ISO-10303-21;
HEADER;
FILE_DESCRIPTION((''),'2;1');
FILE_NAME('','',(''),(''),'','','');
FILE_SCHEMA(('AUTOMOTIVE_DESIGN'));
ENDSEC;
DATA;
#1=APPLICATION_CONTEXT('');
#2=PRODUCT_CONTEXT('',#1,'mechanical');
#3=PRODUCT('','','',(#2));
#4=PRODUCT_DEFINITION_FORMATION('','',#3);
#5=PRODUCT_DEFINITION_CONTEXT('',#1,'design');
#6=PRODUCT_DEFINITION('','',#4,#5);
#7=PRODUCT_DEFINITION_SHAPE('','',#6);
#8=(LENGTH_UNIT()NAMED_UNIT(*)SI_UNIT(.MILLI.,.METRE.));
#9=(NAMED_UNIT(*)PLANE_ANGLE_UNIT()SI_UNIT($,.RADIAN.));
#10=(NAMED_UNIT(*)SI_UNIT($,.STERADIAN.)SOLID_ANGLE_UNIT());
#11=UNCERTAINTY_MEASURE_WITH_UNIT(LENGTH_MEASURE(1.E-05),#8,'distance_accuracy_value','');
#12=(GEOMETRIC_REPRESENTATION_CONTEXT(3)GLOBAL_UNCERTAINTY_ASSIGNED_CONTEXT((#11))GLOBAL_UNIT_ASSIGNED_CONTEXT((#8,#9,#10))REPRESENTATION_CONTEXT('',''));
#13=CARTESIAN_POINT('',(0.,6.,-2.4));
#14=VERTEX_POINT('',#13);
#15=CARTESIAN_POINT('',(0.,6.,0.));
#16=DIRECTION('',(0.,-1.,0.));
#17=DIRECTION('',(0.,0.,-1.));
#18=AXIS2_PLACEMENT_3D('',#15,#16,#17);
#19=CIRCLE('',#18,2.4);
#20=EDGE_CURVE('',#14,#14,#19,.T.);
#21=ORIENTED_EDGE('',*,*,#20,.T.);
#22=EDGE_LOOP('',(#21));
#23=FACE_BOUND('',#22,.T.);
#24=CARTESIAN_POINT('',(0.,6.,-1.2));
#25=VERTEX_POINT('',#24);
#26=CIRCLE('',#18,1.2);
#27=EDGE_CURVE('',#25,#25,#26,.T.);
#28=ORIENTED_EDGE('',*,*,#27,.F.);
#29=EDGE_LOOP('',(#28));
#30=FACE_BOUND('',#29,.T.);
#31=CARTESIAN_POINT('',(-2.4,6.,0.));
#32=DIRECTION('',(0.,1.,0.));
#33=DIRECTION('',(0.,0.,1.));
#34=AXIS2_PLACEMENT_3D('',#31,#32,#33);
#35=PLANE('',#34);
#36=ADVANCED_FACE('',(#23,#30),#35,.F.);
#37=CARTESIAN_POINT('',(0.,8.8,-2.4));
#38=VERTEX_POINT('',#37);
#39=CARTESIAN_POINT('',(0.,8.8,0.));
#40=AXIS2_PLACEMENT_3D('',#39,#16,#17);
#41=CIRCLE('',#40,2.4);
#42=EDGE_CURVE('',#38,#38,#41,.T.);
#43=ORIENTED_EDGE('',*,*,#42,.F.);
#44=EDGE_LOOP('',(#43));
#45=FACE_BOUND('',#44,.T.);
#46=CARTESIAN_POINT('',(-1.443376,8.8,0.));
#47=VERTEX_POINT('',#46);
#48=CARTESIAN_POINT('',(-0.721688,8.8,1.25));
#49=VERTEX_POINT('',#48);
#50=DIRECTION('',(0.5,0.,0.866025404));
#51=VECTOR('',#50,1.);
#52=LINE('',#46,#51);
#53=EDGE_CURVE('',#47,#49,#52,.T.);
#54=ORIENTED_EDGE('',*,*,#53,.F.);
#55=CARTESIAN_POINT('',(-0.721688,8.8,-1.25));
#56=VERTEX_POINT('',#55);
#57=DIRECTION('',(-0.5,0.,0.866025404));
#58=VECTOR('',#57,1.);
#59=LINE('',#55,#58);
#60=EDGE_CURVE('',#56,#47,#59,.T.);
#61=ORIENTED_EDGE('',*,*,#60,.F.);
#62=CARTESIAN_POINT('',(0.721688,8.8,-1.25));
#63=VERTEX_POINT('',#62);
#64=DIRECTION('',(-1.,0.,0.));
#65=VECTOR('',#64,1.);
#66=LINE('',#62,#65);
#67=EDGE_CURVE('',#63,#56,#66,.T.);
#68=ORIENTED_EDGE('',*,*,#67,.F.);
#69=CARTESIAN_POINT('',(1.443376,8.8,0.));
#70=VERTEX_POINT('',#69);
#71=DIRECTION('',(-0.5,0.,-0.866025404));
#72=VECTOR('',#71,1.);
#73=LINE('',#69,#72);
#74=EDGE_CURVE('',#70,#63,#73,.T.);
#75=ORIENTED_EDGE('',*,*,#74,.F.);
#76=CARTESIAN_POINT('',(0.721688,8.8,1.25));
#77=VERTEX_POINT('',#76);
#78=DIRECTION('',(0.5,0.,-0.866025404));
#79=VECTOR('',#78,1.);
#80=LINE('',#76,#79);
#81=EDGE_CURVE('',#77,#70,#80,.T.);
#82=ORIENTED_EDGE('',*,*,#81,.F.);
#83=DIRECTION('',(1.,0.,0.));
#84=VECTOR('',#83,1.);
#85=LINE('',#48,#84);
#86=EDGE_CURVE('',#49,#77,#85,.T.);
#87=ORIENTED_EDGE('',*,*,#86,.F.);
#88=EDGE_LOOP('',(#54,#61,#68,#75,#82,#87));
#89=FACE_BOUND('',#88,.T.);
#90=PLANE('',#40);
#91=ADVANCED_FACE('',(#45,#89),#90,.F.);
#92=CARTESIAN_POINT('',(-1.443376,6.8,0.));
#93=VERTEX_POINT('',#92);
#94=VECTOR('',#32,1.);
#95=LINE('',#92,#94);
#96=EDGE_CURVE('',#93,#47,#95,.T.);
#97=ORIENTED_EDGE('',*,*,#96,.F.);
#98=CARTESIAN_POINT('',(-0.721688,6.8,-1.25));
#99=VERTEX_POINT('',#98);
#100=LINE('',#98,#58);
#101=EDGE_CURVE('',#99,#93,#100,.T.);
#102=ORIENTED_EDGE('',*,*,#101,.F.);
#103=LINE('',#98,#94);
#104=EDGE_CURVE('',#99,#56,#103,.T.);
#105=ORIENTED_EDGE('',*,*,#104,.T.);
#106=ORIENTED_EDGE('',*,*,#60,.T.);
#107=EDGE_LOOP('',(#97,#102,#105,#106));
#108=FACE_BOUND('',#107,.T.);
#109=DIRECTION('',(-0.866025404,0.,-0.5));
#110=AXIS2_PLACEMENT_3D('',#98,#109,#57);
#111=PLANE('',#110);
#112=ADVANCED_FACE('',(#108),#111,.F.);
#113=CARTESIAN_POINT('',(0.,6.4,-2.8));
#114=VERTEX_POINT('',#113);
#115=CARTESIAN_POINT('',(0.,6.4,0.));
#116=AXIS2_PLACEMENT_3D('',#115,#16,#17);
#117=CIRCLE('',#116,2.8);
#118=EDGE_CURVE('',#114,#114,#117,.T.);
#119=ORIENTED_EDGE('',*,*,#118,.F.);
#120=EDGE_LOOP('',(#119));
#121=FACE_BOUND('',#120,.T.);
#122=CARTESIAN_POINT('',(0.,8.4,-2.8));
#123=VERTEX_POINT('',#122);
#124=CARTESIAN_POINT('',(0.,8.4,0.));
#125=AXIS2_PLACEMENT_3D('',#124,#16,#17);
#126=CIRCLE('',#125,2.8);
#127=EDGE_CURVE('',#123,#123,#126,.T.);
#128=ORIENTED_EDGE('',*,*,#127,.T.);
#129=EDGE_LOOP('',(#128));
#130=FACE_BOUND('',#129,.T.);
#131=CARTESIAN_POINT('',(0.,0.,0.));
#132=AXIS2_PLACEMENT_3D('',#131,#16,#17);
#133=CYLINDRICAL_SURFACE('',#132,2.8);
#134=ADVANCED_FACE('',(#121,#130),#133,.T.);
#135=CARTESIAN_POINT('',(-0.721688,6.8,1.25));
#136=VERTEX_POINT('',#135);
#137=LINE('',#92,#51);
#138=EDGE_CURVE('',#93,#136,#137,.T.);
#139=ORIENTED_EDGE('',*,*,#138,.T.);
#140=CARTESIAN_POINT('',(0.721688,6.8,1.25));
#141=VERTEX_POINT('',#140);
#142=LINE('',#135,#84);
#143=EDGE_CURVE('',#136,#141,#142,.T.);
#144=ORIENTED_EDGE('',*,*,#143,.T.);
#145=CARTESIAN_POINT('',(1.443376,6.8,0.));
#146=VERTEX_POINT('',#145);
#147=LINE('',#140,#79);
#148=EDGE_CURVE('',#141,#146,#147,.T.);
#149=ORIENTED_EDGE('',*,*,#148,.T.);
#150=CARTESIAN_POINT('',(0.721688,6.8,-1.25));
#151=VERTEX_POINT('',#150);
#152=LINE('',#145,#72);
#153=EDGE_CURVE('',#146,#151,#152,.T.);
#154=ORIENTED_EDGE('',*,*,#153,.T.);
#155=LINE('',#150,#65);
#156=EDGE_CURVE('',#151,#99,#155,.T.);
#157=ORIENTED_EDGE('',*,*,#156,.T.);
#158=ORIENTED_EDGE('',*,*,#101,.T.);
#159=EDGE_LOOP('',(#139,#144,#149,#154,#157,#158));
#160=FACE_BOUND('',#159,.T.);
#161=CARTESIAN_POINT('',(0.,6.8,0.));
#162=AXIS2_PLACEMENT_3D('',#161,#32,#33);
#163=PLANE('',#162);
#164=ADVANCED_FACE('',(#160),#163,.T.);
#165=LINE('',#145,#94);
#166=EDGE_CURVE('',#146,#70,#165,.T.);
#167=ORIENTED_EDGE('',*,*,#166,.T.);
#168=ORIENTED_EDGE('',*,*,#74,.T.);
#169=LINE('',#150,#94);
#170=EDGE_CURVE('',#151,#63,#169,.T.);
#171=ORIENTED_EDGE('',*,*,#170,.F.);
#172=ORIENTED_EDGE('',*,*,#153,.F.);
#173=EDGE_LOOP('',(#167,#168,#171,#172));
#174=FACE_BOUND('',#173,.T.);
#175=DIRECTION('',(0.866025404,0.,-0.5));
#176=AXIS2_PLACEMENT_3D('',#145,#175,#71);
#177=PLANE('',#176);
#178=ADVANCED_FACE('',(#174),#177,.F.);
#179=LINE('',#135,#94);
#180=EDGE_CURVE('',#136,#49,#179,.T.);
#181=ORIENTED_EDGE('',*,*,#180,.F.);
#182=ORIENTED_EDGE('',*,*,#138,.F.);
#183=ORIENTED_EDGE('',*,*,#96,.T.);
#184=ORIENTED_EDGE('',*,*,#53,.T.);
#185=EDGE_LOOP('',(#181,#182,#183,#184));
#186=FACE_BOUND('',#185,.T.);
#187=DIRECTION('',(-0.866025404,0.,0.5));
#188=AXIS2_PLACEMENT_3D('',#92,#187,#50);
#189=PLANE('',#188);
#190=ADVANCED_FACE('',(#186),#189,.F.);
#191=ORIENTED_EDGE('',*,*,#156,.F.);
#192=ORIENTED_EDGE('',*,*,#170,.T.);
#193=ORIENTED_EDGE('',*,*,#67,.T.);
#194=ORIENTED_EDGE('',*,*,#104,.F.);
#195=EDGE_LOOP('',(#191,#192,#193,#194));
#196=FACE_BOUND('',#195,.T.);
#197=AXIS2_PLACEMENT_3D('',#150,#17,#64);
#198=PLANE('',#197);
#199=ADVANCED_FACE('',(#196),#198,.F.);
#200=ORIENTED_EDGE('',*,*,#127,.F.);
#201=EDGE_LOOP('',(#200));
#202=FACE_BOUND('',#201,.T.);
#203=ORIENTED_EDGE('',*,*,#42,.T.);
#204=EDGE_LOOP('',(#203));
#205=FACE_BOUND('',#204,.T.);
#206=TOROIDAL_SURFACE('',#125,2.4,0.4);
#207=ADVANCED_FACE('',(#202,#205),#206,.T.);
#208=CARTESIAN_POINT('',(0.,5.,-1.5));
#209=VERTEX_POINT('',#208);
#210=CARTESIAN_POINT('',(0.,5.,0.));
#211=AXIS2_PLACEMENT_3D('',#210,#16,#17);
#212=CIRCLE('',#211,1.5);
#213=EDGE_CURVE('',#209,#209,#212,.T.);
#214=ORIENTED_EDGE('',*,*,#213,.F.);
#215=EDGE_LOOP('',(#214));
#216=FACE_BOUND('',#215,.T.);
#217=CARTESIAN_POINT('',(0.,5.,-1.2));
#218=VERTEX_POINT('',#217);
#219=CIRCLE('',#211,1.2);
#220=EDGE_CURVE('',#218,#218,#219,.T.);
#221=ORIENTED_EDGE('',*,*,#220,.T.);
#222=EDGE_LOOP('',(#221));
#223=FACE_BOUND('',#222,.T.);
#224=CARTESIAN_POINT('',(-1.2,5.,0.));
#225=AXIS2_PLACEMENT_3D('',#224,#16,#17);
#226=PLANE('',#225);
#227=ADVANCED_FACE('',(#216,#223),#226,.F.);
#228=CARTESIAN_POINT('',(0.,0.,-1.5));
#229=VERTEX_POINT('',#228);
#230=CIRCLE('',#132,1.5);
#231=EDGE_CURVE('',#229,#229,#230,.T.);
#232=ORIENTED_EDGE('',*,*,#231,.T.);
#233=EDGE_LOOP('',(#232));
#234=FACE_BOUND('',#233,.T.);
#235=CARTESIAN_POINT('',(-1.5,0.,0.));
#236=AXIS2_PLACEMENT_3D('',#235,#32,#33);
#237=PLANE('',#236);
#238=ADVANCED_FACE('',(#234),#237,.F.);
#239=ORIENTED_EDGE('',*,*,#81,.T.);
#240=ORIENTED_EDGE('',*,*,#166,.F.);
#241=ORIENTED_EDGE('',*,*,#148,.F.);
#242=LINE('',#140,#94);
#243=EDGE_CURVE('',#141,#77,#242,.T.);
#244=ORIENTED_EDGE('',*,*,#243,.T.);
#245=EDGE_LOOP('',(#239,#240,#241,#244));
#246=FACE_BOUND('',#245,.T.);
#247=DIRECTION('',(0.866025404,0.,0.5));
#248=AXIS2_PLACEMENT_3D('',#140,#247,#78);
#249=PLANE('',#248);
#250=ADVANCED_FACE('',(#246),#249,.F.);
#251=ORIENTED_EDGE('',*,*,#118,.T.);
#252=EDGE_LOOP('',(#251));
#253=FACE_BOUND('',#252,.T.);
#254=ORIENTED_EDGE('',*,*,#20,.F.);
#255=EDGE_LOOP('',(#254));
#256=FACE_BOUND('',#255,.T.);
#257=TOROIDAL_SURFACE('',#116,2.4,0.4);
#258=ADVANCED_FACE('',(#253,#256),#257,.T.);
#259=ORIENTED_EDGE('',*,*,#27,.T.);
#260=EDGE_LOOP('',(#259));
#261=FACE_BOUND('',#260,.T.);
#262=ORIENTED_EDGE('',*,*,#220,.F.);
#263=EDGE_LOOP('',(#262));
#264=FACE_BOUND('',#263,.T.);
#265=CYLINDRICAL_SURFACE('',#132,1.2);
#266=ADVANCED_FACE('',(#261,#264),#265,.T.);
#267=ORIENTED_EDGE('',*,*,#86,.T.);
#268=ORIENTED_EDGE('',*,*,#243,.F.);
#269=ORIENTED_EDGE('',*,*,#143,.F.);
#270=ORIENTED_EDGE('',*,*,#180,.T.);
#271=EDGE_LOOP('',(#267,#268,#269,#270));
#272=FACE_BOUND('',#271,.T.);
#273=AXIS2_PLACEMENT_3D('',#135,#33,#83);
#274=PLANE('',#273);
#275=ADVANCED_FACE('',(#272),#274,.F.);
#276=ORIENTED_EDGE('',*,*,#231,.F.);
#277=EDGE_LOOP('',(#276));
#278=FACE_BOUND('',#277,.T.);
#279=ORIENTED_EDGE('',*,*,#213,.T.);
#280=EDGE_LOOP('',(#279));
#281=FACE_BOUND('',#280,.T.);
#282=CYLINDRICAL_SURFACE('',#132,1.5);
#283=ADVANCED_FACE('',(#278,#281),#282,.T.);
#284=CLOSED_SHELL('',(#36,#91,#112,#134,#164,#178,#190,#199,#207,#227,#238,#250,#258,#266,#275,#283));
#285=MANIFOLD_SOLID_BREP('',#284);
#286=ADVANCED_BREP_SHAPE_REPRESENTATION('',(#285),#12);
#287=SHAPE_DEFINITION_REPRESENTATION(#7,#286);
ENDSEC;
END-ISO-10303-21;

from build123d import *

# Parameters (mm, degrees)
CUT_EXTRUDE_1_DEPTH = 2


with BuildPart() as part:
    # 草图1 → 旋转1 (revolve)
    with BuildSketch(Plane.XY):
        with BuildLine():
            Line((0, 8.8), (-2.4, 8.8))
            ThreePointArc((-2.4, 8.8), (-2.682842712, 8.682842712), (-2.8, 8.4))
            Line((-2.8, 8.4), (-2.8, 6.4))
            ThreePointArc((-2.8, 6.4), (-2.682842712, 6.117157288), (-2.4, 6))
            Line((-2.4, 6), (-1.2, 6))
            Line((-1.2, 6), (-1.2, 5))
            Line((-1.2, 5), (-1.5, 5))
            Line((-1.5, 5), (-1.5, 0))
            Line((-1.5, 0), (0, 0))
            Line((0, 0), (0, 8.8))
        make_face()
    revolve(axis=Axis((0, 0, 0), (0, 1, 0)))

    # 草图2 → 切除-拉伸1 (cut)
    with BuildSketch(Plane(origin=(0, 8.8, 0), x_dir=(1, 0, 0), z_dir=(0, 1, 0))):
        Polygon((-0.721687836, 1.25), (-1.443375673, 0), (-0.721687836, -1.25), (0.721687836, -1.25), (1.443375673, 0), (0.721687836, 1.25), align=None)
    extrude(amount=-CUT_EXTRUDE_1_DEPTH, mode=Mode.SUBTRACT)


solid = part.part
